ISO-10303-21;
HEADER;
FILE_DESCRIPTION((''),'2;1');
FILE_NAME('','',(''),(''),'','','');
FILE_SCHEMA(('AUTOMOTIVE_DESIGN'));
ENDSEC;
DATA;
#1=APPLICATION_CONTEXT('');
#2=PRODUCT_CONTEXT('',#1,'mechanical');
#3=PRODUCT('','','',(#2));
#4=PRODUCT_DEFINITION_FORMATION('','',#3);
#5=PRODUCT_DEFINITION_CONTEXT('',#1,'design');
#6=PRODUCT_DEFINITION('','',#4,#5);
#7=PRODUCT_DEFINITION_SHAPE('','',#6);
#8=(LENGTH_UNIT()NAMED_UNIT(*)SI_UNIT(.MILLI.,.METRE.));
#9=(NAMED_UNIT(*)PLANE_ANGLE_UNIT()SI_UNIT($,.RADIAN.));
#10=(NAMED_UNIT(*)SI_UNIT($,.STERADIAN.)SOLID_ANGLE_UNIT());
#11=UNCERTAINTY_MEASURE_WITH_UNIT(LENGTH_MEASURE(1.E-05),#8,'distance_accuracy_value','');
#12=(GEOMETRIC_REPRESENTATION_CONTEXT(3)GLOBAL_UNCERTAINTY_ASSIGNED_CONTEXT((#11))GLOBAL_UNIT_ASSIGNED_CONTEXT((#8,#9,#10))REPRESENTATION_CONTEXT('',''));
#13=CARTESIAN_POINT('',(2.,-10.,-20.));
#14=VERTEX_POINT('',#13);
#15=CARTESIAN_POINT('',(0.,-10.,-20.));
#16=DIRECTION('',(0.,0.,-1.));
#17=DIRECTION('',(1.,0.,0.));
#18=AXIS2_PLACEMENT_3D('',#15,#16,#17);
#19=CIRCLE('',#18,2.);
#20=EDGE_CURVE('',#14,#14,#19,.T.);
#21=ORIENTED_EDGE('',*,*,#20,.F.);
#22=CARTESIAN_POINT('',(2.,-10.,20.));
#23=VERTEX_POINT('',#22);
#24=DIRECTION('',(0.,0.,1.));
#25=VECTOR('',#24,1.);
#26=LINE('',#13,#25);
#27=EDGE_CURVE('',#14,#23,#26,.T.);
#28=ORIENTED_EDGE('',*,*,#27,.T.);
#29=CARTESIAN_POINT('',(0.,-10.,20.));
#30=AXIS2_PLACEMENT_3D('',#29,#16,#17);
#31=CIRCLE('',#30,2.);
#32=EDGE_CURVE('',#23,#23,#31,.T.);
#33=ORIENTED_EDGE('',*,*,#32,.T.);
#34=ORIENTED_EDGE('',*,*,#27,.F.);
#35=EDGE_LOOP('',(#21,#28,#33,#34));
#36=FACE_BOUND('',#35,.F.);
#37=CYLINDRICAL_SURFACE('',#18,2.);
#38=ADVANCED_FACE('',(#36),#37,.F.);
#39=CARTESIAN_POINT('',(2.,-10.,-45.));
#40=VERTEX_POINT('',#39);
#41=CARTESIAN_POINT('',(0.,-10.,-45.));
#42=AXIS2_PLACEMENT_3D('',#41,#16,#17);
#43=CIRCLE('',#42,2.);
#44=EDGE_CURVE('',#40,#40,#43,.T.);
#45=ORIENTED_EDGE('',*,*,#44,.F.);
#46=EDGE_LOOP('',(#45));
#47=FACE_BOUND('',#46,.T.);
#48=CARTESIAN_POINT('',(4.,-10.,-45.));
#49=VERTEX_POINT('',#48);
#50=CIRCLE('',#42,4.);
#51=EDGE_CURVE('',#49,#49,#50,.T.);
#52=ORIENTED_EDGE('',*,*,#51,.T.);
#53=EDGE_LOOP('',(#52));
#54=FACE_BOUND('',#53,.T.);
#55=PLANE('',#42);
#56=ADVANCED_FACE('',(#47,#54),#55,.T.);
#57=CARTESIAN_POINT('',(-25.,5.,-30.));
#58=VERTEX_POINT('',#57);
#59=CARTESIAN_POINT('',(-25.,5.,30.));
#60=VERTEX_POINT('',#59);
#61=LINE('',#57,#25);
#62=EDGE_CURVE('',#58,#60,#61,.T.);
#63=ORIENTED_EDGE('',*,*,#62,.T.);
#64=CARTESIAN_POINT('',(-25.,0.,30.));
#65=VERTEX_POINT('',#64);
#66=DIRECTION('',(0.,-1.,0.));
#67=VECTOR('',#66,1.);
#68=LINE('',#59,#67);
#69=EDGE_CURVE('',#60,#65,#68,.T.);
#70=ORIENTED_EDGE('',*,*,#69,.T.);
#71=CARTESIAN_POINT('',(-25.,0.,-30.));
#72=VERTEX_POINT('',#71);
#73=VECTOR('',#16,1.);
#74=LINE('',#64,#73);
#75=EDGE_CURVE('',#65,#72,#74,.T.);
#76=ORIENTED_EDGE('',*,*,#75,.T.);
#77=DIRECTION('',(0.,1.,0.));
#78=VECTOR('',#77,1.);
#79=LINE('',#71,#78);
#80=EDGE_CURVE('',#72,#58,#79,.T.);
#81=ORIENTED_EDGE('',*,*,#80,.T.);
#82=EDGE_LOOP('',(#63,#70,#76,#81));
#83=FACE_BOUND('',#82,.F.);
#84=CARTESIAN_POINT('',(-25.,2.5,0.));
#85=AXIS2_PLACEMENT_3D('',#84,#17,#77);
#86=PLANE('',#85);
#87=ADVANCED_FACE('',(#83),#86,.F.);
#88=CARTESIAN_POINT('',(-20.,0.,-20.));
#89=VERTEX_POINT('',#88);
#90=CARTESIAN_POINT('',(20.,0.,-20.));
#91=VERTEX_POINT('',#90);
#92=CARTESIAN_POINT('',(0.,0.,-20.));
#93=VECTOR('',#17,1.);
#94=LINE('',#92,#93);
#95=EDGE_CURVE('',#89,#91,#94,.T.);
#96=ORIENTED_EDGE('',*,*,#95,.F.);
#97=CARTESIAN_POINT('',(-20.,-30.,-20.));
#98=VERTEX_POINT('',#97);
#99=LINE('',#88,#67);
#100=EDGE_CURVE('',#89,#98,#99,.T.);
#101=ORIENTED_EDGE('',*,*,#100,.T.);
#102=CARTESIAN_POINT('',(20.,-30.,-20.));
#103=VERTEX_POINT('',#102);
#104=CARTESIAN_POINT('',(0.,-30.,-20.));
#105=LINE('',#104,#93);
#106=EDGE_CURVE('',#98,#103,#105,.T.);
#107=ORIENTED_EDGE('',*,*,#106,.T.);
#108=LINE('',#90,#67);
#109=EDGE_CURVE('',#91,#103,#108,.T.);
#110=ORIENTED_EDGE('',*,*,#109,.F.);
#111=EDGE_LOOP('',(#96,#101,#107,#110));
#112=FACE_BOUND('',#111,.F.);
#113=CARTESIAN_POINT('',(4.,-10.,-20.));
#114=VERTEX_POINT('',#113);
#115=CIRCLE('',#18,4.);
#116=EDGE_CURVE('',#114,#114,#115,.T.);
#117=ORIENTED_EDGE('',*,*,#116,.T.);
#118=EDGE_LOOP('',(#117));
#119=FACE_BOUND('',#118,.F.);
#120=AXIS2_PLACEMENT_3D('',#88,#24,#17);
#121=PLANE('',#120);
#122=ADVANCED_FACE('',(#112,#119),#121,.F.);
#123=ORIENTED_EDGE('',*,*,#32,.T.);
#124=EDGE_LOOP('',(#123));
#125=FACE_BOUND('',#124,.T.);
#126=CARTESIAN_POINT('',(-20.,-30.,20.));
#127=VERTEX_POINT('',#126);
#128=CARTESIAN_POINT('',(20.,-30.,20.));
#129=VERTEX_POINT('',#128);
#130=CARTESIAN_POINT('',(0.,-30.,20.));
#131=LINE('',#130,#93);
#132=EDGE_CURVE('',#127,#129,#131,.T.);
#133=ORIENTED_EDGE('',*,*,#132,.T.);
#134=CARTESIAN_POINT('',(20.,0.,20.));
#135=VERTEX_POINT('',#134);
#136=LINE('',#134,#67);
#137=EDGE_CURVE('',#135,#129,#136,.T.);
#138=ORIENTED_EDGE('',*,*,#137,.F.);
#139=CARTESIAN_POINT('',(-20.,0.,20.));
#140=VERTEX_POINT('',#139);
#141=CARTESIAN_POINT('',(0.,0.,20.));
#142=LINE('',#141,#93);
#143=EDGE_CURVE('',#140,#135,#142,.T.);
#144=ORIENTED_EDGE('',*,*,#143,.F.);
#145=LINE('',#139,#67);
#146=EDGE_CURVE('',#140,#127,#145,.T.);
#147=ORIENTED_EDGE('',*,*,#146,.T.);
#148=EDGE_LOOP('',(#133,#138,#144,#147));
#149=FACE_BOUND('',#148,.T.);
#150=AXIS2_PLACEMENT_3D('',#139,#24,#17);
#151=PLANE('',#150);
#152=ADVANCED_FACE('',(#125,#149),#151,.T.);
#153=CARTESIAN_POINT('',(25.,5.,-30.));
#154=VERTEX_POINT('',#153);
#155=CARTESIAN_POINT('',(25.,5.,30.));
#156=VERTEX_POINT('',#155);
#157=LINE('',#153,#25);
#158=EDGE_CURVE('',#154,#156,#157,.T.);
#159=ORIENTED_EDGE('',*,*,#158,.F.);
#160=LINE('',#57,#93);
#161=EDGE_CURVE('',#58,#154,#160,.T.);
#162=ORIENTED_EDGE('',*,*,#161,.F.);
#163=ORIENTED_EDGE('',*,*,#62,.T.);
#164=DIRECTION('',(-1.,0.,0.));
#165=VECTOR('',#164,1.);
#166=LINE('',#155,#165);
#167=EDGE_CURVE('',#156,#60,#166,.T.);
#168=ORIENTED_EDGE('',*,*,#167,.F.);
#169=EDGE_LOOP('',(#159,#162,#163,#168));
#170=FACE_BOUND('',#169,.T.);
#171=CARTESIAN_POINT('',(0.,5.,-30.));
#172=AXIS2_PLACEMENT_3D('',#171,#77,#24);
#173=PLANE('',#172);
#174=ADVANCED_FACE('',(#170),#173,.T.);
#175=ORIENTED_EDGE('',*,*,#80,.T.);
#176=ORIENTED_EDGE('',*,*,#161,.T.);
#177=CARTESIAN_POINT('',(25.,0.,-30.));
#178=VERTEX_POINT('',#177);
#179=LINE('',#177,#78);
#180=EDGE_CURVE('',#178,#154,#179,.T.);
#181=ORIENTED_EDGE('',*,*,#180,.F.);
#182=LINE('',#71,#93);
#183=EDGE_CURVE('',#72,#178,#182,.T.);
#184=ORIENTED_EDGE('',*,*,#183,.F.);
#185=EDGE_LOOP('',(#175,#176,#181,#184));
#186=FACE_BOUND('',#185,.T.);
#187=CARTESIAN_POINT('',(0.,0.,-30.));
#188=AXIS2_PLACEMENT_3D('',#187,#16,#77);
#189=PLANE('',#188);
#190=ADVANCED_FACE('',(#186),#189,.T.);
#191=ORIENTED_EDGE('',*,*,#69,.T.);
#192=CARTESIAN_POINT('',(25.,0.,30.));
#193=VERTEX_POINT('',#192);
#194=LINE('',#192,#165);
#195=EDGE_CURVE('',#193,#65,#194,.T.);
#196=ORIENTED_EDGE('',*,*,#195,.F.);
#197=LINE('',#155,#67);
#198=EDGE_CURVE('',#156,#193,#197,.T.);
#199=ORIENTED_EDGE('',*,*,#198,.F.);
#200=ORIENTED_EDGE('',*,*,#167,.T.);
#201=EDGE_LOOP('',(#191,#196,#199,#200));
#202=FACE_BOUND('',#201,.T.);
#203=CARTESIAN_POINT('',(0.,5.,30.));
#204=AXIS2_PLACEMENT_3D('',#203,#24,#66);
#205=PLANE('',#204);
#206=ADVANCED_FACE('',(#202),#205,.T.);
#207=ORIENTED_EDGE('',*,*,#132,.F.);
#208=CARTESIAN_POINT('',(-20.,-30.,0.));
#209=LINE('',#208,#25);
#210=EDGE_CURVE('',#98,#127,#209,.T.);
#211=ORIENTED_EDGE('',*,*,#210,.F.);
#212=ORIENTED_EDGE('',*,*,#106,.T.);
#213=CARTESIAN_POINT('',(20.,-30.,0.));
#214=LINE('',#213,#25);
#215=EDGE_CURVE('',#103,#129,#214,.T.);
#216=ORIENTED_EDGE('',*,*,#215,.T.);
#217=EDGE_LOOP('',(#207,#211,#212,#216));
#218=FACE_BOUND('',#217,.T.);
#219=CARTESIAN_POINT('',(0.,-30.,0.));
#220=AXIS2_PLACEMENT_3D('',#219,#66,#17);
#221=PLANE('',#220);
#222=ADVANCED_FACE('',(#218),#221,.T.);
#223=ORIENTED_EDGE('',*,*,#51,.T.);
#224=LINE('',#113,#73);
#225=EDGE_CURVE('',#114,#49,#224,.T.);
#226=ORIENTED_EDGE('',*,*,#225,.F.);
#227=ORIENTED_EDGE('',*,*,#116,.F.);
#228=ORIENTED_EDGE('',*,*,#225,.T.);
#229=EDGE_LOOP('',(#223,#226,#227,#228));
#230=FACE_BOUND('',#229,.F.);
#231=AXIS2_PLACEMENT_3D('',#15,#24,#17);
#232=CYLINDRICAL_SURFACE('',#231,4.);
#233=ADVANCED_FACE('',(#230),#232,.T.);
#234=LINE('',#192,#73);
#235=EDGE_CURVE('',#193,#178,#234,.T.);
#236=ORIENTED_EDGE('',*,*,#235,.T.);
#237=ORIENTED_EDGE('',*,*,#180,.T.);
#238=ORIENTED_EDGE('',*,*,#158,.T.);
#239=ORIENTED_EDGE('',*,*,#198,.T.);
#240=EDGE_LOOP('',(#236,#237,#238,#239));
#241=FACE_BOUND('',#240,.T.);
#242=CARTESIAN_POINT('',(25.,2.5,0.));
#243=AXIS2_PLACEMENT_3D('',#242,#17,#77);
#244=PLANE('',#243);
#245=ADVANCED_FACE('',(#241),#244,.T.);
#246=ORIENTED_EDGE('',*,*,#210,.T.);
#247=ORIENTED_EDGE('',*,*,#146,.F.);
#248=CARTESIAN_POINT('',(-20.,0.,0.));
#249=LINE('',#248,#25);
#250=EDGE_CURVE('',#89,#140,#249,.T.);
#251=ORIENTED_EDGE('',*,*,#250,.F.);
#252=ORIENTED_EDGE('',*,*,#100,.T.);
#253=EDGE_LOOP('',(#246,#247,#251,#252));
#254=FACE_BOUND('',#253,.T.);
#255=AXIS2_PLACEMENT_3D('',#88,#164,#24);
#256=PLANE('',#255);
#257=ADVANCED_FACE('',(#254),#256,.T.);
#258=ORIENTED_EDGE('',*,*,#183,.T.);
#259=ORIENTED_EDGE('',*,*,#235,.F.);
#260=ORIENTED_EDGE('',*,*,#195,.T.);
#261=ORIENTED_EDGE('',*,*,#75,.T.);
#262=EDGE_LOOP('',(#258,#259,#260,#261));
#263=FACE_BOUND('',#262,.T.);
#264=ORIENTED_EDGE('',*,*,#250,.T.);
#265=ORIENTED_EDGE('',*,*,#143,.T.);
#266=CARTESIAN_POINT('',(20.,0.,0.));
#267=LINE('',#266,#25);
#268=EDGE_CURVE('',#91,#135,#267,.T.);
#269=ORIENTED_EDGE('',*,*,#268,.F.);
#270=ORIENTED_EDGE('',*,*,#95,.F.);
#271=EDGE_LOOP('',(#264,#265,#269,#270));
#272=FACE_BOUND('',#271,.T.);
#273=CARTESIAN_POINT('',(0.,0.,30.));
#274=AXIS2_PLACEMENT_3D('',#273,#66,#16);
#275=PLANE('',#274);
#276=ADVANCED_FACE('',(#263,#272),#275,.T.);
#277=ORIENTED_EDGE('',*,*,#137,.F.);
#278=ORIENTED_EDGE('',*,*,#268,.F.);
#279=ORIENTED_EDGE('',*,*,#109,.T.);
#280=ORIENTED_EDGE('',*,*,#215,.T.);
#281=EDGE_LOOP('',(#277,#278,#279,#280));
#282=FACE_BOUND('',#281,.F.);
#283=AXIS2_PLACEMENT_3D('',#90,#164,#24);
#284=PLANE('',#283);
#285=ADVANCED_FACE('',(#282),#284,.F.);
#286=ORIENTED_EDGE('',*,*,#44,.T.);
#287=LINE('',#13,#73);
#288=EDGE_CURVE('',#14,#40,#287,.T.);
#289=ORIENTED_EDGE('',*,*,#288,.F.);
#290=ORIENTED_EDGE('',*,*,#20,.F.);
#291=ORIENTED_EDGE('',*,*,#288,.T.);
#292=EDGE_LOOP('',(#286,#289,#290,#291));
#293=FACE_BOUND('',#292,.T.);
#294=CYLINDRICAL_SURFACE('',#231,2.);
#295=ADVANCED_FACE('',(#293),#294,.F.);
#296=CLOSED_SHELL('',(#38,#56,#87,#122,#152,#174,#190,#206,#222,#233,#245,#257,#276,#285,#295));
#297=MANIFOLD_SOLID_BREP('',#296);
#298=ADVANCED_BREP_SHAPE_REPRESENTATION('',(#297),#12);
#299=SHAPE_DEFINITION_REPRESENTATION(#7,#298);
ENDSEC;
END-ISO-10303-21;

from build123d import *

# Parameters (mm, degrees)
F0_W     = 40
F0_H     = 40
F1_DEPTH = 30
F2_R     = 4
F2_R_2   = 2
F3_DEPTH = 25
F4_DEPTH = 40
F6_DEPTH = 25


with BuildPart() as f1:
    # F0 (on Front) → F1 (new body)
    with BuildSketch(Plane.XZ):
        Rectangle(F0_W, F0_H)
    extrude(amount=F1_DEPTH)

    # F2 (on face) → F3 (join)
    with BuildSketch(Plane(origin=(0, 0, -20), x_dir=(1, 0, 0), z_dir=(0, 0, -1))):
        with Locations((0, 10)):
            Circle(F2_R)
        with Locations((0, 10)):
            Circle(F2_R_2, mode=Mode.SUBTRACT)
    extrude(amount=F3_DEPTH)

    # F4 (cut): a face of the model
    f4_faces = [f1.faces().sort_by_distance(p)[0] for p in [
        (0, -10, -20),
    ]]
    extrude(f4_faces, amount=-F4_DEPTH, mode=Mode.SUBTRACT)

    # F5 (on Right) → F6 (join, symmetric)
    with BuildSketch(Plane.YZ):
        Polygon((0, 30), (0, 0), (0, -30), (5, -30), (5, 30), align=None)
    extrude(amount=F6_DEPTH, both=True)


solid = f1.part
